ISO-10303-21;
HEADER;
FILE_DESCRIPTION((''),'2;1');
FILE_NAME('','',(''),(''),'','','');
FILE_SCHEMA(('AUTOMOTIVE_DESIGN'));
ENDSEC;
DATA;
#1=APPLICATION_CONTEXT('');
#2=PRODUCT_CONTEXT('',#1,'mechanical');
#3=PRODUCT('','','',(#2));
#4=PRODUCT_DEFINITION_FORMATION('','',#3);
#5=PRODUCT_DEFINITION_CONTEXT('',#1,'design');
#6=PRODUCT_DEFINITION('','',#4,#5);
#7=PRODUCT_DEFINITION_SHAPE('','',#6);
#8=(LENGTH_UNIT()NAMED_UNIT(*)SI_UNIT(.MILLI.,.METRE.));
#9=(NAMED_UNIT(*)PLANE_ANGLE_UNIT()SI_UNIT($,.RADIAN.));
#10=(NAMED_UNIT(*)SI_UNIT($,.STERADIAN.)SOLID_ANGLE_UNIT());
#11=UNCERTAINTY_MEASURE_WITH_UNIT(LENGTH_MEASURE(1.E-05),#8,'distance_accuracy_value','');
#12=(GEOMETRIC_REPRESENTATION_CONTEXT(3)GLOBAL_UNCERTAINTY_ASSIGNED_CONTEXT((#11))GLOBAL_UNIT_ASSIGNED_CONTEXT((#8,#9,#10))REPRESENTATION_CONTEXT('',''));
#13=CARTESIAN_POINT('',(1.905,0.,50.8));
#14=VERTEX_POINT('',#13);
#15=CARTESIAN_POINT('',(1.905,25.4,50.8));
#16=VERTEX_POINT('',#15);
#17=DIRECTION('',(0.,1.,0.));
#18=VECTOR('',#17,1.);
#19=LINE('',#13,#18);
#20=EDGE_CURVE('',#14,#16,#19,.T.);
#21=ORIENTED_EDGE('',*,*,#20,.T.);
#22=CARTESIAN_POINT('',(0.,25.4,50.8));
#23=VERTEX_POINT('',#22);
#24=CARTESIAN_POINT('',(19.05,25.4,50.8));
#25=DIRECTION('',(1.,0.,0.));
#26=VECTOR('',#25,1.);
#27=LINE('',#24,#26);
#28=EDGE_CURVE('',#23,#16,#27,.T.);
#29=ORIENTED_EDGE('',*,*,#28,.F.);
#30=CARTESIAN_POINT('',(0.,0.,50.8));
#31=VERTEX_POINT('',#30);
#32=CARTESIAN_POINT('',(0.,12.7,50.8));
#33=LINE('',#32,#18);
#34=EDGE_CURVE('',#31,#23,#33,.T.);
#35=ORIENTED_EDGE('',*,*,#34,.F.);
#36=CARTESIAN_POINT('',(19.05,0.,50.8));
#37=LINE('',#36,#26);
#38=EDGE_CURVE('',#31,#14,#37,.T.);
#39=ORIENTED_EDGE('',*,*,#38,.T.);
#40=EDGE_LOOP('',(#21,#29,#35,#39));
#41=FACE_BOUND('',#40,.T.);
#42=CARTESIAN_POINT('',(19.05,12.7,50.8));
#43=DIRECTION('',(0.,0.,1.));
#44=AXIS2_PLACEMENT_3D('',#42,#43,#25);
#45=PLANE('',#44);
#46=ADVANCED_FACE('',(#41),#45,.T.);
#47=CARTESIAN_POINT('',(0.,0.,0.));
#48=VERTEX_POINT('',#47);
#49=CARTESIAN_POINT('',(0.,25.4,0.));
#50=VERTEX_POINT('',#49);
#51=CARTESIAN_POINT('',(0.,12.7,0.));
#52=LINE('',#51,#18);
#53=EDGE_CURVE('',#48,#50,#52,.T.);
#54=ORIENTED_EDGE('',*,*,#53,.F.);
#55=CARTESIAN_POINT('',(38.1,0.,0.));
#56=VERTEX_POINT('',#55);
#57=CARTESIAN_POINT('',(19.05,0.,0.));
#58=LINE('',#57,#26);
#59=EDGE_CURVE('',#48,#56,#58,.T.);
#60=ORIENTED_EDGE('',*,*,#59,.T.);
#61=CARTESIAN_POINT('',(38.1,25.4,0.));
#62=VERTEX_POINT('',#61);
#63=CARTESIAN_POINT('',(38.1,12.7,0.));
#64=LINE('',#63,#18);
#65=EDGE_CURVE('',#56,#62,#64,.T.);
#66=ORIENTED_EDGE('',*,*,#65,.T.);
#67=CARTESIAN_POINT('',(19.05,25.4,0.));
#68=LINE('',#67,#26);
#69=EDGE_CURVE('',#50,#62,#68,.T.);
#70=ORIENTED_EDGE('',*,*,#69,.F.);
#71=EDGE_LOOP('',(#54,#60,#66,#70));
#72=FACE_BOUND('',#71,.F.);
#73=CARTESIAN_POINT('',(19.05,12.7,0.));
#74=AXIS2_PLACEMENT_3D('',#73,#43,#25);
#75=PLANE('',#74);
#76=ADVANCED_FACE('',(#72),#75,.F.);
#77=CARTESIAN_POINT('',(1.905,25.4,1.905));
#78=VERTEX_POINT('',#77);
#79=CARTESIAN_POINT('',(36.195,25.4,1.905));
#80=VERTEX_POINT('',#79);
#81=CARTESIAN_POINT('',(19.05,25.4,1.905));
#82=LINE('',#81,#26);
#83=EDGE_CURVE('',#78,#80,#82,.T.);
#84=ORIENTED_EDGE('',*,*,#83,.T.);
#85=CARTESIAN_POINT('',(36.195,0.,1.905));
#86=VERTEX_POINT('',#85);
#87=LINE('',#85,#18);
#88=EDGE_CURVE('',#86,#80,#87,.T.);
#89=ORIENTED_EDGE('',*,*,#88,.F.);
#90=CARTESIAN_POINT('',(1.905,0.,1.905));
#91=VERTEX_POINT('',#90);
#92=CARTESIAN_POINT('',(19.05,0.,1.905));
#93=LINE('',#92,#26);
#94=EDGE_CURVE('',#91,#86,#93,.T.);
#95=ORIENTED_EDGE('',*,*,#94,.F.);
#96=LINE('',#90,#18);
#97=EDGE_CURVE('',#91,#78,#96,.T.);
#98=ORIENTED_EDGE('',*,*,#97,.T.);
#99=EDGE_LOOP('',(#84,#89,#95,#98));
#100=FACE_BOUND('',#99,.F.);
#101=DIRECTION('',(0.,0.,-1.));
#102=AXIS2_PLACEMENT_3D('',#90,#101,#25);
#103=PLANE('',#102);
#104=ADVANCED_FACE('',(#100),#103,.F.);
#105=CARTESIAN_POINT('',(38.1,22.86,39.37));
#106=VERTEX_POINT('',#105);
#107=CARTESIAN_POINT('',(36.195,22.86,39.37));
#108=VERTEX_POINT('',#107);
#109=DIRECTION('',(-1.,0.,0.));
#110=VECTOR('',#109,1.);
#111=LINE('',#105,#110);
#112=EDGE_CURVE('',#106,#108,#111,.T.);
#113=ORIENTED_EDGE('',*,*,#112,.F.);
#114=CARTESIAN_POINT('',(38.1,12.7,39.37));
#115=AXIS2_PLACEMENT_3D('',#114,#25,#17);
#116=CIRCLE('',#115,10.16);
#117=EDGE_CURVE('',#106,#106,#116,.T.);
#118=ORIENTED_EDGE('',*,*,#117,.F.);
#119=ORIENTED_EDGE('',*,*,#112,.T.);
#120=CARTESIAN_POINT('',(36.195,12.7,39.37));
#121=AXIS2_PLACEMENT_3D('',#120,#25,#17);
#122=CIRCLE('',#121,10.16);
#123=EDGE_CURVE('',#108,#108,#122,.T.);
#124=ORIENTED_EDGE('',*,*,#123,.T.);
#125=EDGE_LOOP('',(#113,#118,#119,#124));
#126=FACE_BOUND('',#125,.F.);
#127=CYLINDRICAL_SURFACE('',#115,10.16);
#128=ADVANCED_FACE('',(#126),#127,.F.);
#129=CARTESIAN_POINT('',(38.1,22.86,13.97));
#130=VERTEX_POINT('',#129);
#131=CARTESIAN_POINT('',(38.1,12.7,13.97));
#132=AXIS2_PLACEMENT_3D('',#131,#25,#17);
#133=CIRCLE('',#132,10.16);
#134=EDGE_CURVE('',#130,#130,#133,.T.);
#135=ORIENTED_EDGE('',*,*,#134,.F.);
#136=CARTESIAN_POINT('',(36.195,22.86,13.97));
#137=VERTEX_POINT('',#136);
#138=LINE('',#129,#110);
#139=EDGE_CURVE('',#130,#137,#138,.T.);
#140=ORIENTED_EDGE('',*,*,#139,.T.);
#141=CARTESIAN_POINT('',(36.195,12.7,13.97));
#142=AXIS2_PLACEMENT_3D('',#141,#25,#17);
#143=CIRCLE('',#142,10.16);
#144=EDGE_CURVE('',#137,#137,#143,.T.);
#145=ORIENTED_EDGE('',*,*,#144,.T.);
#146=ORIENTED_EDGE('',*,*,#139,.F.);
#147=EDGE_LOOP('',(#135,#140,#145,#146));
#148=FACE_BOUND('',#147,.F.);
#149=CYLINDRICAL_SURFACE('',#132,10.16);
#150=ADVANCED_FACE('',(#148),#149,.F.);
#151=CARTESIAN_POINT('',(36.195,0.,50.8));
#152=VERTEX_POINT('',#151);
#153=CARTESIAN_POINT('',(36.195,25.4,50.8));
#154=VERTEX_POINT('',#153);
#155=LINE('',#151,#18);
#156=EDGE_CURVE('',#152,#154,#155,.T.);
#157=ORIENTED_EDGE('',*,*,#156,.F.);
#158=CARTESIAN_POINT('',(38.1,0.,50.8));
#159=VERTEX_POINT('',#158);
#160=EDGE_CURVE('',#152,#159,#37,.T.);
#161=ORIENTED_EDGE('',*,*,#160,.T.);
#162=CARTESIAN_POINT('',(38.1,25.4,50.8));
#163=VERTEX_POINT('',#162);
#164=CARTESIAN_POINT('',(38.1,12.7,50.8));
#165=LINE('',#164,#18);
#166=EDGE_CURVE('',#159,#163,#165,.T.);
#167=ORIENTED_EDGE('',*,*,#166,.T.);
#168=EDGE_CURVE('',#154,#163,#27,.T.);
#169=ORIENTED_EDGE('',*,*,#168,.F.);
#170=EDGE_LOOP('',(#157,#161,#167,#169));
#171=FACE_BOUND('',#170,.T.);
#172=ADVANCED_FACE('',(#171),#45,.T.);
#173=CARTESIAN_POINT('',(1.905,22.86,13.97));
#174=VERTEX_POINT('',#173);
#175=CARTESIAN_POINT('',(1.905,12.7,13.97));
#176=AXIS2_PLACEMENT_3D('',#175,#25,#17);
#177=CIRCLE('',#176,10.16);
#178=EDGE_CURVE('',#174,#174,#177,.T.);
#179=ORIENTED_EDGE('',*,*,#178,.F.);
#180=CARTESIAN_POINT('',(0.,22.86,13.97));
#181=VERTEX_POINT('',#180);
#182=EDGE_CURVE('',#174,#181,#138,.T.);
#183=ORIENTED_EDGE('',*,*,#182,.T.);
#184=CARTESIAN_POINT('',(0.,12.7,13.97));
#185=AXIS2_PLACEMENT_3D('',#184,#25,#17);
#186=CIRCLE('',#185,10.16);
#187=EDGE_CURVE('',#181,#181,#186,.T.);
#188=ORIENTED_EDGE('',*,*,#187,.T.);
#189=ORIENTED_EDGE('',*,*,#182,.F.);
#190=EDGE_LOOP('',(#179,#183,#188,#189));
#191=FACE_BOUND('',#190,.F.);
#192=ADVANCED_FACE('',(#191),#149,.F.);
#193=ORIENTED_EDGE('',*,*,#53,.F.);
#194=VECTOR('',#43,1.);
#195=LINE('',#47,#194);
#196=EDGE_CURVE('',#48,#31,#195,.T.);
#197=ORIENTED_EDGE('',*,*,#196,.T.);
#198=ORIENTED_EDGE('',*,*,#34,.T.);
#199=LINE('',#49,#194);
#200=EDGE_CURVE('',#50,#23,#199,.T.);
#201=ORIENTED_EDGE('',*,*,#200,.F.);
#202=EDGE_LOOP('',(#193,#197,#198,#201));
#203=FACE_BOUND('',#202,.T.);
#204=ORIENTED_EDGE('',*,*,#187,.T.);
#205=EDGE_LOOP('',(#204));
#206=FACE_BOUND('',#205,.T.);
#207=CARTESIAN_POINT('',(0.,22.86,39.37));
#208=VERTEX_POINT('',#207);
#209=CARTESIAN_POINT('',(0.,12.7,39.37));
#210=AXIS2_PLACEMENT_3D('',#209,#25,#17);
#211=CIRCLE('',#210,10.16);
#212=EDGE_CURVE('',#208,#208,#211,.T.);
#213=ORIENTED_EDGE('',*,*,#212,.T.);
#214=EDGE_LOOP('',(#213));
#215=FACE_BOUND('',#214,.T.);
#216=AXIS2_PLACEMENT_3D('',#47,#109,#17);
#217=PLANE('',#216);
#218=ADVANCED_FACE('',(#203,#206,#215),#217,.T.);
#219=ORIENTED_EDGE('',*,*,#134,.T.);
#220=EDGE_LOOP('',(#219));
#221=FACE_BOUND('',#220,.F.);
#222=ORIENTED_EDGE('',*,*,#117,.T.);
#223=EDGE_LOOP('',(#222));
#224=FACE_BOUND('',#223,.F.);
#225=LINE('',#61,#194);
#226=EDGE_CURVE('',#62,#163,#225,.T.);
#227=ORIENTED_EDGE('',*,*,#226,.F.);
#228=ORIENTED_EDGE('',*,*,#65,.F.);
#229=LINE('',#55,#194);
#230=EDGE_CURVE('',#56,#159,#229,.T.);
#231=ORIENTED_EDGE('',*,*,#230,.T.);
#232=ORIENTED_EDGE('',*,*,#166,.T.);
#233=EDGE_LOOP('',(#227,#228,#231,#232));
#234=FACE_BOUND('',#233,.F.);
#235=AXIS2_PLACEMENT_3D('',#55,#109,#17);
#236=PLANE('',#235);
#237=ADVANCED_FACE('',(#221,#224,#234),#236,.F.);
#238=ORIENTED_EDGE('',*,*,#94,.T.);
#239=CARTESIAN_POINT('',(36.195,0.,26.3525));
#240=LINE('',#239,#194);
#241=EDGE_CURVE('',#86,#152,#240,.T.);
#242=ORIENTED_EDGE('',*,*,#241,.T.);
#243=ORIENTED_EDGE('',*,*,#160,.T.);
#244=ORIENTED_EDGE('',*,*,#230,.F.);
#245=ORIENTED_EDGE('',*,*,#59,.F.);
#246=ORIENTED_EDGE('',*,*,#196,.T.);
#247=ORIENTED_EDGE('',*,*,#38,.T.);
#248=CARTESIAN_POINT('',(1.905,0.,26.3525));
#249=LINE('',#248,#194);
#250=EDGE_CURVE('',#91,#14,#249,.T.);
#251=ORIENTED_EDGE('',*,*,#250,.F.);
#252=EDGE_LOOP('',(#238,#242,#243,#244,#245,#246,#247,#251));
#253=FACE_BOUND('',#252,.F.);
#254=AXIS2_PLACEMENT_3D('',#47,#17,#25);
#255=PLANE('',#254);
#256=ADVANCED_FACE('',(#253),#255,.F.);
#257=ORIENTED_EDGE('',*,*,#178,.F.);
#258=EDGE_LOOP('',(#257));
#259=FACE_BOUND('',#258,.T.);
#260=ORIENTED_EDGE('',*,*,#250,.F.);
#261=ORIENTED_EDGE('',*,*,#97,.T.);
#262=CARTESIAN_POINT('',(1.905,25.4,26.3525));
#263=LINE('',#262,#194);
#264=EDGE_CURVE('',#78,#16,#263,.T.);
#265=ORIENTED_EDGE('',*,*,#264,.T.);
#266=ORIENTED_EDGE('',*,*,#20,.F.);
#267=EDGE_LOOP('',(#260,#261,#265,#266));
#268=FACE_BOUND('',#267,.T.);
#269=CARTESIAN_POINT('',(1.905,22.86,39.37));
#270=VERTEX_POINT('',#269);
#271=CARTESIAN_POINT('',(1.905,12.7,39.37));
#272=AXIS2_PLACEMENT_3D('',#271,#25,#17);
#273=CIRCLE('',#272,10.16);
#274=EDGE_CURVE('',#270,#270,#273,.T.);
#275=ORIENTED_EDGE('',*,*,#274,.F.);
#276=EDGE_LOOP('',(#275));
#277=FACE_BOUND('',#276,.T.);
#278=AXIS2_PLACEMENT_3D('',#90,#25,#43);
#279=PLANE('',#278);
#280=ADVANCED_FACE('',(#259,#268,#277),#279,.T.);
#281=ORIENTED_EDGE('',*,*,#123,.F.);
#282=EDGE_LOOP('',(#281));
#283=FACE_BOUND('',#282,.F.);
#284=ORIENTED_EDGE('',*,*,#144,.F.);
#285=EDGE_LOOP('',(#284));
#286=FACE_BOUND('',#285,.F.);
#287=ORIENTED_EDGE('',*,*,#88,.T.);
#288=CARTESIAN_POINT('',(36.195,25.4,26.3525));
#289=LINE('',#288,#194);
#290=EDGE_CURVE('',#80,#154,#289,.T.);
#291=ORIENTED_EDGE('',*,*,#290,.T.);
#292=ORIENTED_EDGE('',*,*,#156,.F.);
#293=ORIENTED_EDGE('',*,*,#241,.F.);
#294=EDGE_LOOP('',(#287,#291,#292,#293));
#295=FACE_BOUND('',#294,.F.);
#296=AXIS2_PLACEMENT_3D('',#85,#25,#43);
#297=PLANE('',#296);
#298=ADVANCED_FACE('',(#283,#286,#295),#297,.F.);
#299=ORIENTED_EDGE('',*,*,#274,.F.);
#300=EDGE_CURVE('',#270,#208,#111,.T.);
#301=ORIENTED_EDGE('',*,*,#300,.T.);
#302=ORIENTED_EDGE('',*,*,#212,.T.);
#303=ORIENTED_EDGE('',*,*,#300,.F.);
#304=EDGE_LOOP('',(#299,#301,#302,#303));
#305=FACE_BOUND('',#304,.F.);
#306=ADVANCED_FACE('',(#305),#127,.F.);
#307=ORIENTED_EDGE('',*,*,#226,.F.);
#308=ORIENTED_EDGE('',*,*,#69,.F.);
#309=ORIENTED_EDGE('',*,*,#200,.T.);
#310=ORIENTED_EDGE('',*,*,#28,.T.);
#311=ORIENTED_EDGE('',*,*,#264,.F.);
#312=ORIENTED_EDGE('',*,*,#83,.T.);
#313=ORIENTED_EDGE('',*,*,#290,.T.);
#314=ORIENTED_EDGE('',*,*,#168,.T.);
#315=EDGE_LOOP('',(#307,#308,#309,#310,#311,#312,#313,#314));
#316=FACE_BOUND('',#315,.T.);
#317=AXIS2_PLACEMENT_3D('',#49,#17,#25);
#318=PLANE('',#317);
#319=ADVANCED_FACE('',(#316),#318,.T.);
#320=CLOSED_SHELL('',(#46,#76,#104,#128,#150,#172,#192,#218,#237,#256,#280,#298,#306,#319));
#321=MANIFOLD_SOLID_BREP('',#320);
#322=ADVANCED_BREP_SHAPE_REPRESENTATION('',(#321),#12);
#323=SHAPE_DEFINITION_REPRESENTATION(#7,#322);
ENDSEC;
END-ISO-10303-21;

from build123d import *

# Parameters (mm, degrees)
F0_W     = 38.1
F0_H     = 25.4
F1_DEPTH = 50.8
F2_W     = 34.29
F2_H     = 48.895
F3_DEPTH = 25.4
F4_R     = 10.16
F5_DEPTH = 50.8


with BuildPart() as f1:
    # F0 (on Top) → F1 (new body)
    with BuildSketch(Plane.XY):
        with Locations((19.05, 12.7)):
            Rectangle(F0_W, F0_H)
    extrude(amount=F1_DEPTH)

    # F2 (on face) → F3 (cut)
    with BuildSketch(Plane.XZ):
        with Locations((19.05, 26.3525)):
            Rectangle(F2_W, F2_H)
    extrude(amount=-F3_DEPTH, mode=Mode.SUBTRACT)

    # F4 (on face) → F5 (cut)
    with BuildSketch(Plane.YZ.offset(38.1)):
        with Locations((12.7, 39.37)):
            Circle(F4_R)
        with Locations((12.7, 13.97)):
            Circle(F4_R)
    extrude(amount=-F5_DEPTH, mode=Mode.SUBTRACT)


solid = f1.part
